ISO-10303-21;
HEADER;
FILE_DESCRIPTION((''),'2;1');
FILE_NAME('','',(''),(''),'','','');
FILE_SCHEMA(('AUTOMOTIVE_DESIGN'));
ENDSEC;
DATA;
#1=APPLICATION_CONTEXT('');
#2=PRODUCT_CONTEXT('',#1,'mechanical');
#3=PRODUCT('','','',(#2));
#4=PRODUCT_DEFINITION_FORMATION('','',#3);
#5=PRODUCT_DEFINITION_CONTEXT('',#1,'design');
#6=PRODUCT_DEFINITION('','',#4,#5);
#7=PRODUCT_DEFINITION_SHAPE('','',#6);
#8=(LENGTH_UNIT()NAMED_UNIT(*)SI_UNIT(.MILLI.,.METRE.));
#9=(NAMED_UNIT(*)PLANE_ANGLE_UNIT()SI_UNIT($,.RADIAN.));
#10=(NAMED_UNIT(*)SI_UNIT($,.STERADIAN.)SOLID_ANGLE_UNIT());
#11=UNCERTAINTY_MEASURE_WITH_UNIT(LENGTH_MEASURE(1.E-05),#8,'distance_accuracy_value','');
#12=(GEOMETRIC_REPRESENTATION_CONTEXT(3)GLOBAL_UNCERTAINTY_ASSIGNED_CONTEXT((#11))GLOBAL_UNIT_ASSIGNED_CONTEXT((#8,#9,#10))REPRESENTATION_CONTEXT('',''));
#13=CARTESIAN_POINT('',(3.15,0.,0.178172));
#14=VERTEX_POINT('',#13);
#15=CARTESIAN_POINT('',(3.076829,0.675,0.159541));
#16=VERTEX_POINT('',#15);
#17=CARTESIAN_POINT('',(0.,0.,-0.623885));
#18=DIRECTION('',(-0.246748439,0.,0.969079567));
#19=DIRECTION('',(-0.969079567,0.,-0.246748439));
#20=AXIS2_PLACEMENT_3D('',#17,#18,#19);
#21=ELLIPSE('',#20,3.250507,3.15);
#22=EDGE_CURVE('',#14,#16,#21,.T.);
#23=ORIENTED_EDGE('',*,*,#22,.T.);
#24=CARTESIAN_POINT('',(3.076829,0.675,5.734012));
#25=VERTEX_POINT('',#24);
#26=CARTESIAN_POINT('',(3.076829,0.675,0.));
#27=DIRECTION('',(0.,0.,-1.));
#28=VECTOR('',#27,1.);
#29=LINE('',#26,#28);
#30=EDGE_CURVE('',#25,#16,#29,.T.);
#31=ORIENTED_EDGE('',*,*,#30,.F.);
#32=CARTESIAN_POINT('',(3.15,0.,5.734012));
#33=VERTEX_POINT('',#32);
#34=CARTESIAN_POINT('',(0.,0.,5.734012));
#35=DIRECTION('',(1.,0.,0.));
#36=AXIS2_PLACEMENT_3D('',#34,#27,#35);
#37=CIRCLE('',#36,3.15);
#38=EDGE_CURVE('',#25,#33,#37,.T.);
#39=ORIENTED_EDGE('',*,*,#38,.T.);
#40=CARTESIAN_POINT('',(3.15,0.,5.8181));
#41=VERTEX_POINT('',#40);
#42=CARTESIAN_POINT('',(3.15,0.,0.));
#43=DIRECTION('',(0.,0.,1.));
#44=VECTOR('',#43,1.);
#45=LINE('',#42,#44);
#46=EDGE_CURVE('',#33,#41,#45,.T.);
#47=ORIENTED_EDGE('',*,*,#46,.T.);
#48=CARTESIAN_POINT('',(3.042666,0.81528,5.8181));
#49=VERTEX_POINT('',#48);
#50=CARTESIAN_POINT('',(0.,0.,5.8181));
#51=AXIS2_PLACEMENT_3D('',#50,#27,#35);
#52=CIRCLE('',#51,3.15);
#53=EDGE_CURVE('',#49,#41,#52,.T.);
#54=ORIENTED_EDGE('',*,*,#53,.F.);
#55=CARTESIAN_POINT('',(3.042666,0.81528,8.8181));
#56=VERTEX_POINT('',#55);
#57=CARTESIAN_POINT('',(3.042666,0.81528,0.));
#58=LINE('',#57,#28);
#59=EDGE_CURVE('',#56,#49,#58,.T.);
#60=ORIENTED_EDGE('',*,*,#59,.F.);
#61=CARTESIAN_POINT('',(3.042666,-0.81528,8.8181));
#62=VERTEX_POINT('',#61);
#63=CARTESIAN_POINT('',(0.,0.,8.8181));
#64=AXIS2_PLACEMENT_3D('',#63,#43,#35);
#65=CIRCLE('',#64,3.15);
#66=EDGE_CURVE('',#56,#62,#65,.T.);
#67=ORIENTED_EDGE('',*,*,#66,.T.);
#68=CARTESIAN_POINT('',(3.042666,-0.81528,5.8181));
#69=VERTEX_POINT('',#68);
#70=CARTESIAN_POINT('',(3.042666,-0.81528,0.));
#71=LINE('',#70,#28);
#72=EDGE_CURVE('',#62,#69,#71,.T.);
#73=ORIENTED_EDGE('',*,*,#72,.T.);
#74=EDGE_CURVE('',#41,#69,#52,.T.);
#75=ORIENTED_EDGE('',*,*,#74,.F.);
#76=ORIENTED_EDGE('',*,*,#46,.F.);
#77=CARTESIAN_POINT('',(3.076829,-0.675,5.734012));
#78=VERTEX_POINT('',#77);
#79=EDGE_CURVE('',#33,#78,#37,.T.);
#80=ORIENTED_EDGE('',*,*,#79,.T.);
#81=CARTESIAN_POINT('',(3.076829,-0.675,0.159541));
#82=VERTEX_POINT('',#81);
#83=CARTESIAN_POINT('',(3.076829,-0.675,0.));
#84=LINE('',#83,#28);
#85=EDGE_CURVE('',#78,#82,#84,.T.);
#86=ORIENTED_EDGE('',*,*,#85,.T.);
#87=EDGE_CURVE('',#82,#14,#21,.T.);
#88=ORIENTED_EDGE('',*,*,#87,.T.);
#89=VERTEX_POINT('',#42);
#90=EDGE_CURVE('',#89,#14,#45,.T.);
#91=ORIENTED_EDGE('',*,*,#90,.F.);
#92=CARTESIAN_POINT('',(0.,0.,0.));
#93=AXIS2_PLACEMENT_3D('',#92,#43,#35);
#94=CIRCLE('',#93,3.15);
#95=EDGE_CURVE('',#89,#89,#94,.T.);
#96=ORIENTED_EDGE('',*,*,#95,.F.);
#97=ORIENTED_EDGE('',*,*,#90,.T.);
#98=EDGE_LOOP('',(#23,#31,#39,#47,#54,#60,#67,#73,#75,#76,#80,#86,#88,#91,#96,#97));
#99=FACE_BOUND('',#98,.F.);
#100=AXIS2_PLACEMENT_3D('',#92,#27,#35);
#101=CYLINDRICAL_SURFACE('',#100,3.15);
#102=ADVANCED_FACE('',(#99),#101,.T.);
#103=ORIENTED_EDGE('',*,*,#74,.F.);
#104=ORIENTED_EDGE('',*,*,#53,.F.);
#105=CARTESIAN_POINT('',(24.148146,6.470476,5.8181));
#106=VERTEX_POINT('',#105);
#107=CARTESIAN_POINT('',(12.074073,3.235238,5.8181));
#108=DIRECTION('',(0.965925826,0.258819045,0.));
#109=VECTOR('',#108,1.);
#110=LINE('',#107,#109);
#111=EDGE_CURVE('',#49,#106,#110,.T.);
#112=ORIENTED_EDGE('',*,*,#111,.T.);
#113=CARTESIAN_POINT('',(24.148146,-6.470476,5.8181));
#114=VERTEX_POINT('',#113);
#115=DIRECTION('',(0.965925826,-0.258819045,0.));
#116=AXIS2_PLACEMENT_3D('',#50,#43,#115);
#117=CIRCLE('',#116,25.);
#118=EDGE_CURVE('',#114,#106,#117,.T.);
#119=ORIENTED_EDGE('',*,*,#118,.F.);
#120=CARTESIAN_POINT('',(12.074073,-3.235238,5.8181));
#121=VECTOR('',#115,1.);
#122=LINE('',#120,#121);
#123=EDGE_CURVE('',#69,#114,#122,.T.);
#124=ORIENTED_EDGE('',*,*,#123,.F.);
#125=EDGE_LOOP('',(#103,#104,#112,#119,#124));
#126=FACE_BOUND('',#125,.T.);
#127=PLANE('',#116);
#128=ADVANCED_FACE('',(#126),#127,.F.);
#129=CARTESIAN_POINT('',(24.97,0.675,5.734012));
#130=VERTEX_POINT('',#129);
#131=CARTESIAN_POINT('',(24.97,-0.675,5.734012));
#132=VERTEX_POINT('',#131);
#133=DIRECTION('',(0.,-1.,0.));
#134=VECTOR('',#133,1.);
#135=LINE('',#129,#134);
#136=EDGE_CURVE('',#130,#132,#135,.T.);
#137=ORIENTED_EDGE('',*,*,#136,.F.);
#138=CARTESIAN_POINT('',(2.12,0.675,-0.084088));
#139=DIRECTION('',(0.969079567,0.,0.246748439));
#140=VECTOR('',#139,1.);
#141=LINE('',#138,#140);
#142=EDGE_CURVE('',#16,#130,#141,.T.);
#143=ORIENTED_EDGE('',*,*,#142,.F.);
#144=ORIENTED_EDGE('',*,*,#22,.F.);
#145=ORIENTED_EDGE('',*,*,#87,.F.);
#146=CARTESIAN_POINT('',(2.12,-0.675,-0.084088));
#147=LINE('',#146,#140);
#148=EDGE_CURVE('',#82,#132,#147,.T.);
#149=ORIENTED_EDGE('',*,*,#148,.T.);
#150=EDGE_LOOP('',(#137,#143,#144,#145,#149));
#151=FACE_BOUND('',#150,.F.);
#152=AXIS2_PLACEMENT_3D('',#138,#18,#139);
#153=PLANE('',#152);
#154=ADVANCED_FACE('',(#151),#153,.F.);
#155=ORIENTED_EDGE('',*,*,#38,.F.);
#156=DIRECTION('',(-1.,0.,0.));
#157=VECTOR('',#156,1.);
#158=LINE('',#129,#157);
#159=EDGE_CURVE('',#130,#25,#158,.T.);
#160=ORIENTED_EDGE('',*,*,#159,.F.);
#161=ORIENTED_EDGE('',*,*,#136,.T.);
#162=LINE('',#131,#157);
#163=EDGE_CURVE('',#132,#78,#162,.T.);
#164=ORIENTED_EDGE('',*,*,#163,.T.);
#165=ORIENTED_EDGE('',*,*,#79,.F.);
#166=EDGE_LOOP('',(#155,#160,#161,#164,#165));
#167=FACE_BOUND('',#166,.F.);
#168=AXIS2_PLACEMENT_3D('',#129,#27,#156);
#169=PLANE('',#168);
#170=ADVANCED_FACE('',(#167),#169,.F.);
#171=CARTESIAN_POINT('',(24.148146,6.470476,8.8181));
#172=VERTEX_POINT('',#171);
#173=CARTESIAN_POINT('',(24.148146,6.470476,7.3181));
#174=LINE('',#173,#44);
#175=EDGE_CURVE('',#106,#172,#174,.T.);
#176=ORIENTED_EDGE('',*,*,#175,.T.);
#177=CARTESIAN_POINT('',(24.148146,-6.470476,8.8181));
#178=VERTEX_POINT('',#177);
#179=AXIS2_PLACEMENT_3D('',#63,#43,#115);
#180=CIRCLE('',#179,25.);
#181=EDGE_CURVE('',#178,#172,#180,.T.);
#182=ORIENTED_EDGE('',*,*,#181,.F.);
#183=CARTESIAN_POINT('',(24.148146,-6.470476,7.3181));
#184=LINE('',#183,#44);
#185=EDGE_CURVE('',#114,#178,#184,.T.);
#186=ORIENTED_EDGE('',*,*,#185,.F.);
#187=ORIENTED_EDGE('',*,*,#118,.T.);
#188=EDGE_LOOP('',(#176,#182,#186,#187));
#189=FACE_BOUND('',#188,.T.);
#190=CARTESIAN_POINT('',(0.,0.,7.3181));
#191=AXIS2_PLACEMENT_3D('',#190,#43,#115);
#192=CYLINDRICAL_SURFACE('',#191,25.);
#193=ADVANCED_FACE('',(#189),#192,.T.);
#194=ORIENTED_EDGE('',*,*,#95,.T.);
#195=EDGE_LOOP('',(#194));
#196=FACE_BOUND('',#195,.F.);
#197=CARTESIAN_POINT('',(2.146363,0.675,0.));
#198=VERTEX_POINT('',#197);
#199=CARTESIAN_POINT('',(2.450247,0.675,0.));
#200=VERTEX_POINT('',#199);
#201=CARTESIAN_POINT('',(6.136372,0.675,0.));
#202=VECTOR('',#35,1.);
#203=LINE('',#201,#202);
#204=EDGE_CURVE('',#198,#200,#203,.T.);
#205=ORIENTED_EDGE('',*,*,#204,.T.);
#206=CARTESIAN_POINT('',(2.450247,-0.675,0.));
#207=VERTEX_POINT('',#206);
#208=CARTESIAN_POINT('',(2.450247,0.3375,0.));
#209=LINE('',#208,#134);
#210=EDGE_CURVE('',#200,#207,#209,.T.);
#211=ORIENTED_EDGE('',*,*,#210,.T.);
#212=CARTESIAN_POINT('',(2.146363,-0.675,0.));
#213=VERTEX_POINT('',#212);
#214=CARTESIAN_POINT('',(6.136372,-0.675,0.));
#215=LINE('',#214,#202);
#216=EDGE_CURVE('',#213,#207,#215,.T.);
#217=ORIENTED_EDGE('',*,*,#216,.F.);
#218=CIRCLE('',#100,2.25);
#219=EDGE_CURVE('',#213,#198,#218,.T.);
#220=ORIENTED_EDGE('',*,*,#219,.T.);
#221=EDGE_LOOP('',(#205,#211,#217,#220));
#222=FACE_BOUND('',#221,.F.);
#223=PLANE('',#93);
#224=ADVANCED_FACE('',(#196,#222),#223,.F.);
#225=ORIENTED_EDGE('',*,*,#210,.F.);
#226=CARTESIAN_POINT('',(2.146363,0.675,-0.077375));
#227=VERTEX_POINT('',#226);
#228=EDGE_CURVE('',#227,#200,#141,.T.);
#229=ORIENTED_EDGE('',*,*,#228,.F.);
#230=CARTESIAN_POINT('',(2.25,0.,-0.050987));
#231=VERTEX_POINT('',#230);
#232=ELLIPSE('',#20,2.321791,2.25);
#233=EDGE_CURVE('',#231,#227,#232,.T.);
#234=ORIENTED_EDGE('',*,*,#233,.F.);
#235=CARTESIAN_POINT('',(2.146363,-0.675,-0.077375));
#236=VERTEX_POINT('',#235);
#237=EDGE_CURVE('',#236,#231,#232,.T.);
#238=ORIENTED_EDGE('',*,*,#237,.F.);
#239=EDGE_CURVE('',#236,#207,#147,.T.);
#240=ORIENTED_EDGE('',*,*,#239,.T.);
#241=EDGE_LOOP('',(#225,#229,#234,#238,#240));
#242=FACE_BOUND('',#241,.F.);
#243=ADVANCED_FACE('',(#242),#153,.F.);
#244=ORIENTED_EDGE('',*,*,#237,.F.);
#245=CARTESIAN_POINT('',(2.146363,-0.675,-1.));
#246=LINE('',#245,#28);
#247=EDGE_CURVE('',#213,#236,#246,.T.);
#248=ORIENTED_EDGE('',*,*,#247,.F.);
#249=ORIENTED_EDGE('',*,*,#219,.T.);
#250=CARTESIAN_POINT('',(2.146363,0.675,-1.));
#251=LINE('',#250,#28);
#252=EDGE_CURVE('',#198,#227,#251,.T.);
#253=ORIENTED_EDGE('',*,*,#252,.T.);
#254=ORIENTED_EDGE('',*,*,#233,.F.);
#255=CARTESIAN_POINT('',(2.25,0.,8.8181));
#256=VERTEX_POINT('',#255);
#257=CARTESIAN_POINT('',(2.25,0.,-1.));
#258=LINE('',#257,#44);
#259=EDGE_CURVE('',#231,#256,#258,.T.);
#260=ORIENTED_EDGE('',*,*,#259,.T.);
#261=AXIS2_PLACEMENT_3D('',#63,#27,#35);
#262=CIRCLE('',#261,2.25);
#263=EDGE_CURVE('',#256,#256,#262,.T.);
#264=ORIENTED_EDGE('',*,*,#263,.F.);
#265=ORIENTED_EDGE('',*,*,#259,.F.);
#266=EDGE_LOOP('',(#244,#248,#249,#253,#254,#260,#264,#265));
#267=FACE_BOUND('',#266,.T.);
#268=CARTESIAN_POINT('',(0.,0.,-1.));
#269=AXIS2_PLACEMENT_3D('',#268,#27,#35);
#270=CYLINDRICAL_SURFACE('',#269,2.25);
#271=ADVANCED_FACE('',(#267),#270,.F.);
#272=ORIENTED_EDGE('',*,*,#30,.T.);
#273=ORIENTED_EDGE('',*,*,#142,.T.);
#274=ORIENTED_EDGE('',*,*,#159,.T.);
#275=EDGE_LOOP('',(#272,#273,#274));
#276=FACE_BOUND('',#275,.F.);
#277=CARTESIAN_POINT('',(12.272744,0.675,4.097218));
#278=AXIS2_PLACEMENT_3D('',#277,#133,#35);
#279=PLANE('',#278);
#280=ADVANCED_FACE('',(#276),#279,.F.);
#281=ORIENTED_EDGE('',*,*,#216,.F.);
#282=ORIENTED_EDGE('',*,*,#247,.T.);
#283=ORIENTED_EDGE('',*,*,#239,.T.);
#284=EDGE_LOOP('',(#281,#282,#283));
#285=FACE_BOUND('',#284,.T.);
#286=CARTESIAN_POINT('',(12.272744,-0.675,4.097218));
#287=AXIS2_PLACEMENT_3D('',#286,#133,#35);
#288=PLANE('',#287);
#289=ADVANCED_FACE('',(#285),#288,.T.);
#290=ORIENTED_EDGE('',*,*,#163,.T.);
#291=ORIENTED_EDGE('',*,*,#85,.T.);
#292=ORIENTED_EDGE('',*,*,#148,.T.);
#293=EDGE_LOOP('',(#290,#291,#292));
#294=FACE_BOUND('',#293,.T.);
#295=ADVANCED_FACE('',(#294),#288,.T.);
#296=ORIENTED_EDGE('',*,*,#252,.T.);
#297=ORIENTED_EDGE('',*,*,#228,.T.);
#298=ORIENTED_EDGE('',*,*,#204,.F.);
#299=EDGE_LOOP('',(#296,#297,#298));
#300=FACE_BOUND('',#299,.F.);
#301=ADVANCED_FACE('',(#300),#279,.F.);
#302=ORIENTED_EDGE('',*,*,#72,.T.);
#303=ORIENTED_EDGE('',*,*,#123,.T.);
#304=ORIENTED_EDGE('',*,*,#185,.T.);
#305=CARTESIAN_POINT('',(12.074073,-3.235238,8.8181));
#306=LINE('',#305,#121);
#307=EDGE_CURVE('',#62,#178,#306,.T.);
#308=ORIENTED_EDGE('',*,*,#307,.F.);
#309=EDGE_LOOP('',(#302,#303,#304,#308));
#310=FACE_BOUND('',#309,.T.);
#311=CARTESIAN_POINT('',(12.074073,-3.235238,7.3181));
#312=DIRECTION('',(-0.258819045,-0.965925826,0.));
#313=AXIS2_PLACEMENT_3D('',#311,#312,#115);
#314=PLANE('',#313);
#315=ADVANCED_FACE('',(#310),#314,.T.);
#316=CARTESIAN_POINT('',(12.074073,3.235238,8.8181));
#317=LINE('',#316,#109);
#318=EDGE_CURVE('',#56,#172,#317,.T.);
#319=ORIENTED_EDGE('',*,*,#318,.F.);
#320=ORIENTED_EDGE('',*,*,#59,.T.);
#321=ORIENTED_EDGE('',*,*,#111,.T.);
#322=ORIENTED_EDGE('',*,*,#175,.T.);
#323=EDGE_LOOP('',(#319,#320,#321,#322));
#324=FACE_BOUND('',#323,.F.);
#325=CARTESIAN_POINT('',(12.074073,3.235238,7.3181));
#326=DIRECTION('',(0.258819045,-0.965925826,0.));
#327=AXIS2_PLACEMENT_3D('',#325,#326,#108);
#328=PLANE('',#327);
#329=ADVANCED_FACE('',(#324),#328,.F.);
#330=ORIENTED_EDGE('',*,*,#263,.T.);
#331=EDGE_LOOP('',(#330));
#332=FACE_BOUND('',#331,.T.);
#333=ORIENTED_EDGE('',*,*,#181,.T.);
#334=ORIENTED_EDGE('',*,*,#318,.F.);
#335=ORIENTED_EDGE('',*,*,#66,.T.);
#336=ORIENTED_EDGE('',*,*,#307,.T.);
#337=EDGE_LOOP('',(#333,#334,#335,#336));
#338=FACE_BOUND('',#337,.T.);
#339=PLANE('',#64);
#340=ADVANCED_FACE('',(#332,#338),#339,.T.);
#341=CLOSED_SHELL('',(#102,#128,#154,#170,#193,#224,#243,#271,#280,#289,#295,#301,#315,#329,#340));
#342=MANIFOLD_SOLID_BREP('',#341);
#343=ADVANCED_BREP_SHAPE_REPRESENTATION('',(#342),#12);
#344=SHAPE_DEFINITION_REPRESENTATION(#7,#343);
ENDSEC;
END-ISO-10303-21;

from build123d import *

# Parameters (mm, degrees)
CYLINDER003006_R               = 2.25
CYLINDER003006_DEPTH           = 11
CYLINDER003005_R               = 3.15
CYLINDER003005_DEPTH           = 8.8181
PAD_DEPTH                      = 1.35
CYLINDER003004_W               = 25
CYLINDER003004_H               = 3
CYLINDER003004_ANGLE           = 30
CYLINDER003004_PLACEMENT_ANGLE = -15


with BuildPart() as hueco_central_paso_barra_escalera:
    # Cylinder003006 → Cylinder003006 (new body)
    with BuildSketch(Plane.XY.offset(-1)):
        Circle(CYLINDER003006_R)
    extrude(amount=CYLINDER003006_DEPTH)


with BuildPart() as exterior_cilindro_central:
    # Cylinder003005 → Cylinder003005 (new body)
    with BuildSketch(Plane.XY):
        Circle(CYLINDER003005_R)
    extrude(amount=CYLINDER003005_DEPTH)


with BuildPart() as refuerzo_angular_pelda_o:
    # Sketch → Pad (new body)
    with BuildSketch(Plane(origin=(2.12, 0.675, 0), x_dir=(1, 0, 0), z_dir=(0, -1, 0))):
        Polygon((0, -0.084088), (22.85, 5.734012), (0, 5.734012), align=None)
    extrude(amount=PAD_DEPTH)


with BuildPart() as master_pelda_o_escalera_de_caracol:
    # Cylinder003004 → Cylinder003004 (revolve)
    with BuildSketch(Plane.XZ):
        with Locations((12.5, 1.5)):
            Rectangle(CYLINDER003004_W, CYLINDER003004_H)
    revolve(axis=Axis((0, 0, 0), (0, 0, 1)), revolution_arc=CYLINDER003004_ANGLE)


with BuildPart() as master_pelda_o_escalera_de_caracol_1:
    # Cylinder003004 placement: moved
    add(master_pelda_o_escalera_de_caracol.part.moved(Location((0, 0, 5.8181))).rotate(Axis((0, 0, 5.8181), (0, 0, 1)), CYLINDER003004_PLACEMENT_ANGLE))

    # Fusion009: union Exterior  cilindro central, Refuerzo angular peldaño
    add(exterior_cilindro_central.part)
    add(refuerzo_angular_pelda_o.part)

    # Cut013: cut Hueco central paso barra escalera
    add(hueco_central_paso_barra_escalera.part, mode=Mode.SUBTRACT)


solid = master_pelda_o_escalera_de_caracol_1.part
